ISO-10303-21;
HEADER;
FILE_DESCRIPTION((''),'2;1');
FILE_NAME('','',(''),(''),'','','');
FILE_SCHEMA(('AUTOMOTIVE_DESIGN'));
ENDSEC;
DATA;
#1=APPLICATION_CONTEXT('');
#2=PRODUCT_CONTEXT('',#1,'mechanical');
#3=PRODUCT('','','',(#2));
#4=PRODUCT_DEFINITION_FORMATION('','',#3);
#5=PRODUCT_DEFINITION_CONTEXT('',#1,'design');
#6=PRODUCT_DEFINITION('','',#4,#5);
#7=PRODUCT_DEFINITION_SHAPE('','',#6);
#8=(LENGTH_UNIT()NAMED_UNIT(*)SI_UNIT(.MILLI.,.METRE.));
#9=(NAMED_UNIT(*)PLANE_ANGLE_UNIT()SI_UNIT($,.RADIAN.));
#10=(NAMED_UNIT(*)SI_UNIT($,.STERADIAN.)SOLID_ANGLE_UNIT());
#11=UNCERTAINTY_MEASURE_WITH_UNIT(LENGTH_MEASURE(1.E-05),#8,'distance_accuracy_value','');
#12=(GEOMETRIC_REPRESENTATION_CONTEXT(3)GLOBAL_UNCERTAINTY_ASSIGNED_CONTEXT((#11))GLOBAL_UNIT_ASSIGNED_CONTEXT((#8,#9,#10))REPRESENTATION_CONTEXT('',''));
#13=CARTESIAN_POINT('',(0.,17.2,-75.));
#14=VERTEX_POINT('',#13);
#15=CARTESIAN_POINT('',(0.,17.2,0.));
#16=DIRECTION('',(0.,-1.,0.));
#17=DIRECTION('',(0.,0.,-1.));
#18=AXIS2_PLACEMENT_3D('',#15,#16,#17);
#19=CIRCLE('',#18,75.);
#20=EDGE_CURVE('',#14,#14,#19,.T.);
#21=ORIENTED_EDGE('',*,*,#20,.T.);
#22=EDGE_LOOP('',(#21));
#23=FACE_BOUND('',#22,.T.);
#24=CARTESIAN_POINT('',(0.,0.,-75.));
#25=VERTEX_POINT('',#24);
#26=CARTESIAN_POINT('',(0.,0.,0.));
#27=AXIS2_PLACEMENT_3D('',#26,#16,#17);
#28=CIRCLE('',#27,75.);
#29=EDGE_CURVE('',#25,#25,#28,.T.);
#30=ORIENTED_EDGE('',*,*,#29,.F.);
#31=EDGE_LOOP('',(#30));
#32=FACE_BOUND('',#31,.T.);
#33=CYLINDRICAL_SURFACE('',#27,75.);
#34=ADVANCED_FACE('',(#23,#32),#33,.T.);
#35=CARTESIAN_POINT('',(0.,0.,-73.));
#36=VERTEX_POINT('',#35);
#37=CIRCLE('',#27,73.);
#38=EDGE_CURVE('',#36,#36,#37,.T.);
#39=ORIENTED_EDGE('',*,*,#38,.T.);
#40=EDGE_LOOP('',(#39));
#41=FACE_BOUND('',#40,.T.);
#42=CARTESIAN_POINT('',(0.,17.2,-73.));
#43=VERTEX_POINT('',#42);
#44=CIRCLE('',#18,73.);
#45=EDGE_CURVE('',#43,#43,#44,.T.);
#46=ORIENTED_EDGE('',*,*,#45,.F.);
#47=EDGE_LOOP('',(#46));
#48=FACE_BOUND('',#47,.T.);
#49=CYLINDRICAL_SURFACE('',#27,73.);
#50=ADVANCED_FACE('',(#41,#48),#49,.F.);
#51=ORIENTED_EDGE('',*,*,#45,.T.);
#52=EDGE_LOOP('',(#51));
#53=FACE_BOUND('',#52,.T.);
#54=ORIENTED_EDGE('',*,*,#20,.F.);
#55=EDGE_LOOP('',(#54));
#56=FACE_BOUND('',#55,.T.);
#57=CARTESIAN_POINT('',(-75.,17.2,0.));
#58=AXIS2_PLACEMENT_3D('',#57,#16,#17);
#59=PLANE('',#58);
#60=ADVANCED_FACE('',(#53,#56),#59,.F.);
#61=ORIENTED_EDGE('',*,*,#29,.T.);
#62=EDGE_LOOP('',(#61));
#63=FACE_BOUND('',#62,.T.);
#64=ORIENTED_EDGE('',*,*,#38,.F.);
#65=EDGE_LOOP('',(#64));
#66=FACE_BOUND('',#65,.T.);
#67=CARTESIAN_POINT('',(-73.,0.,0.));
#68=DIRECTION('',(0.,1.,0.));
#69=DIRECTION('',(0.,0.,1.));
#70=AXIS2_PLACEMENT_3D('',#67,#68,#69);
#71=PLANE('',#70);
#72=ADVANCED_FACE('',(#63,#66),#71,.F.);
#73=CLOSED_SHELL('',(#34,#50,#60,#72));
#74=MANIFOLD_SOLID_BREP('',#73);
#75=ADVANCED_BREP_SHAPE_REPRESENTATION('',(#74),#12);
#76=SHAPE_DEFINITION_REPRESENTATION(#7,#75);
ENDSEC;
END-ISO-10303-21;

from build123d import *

# Parameters (mm, degrees)
SCHIZZO1_W = 2
SCHIZZO1_H = 17.2


with BuildPart() as part:
    # Schizzo1 → Rivoluzione1 (revolve)
    with BuildSketch(Plane.XY, mode=Mode.PRIVATE) as rivoluzione1_sk:
        with Locations((-74, 8.6)):
            Rectangle(SCHIZZO1_W, SCHIZZO1_H)
    revolve(rivoluzione1_sk.sketch.rotate(Axis((0, 0, 0), (0, 1, 0)), 270), axis=Axis((0, 0, 0), (0, 1, 0)))


solid = part.part
